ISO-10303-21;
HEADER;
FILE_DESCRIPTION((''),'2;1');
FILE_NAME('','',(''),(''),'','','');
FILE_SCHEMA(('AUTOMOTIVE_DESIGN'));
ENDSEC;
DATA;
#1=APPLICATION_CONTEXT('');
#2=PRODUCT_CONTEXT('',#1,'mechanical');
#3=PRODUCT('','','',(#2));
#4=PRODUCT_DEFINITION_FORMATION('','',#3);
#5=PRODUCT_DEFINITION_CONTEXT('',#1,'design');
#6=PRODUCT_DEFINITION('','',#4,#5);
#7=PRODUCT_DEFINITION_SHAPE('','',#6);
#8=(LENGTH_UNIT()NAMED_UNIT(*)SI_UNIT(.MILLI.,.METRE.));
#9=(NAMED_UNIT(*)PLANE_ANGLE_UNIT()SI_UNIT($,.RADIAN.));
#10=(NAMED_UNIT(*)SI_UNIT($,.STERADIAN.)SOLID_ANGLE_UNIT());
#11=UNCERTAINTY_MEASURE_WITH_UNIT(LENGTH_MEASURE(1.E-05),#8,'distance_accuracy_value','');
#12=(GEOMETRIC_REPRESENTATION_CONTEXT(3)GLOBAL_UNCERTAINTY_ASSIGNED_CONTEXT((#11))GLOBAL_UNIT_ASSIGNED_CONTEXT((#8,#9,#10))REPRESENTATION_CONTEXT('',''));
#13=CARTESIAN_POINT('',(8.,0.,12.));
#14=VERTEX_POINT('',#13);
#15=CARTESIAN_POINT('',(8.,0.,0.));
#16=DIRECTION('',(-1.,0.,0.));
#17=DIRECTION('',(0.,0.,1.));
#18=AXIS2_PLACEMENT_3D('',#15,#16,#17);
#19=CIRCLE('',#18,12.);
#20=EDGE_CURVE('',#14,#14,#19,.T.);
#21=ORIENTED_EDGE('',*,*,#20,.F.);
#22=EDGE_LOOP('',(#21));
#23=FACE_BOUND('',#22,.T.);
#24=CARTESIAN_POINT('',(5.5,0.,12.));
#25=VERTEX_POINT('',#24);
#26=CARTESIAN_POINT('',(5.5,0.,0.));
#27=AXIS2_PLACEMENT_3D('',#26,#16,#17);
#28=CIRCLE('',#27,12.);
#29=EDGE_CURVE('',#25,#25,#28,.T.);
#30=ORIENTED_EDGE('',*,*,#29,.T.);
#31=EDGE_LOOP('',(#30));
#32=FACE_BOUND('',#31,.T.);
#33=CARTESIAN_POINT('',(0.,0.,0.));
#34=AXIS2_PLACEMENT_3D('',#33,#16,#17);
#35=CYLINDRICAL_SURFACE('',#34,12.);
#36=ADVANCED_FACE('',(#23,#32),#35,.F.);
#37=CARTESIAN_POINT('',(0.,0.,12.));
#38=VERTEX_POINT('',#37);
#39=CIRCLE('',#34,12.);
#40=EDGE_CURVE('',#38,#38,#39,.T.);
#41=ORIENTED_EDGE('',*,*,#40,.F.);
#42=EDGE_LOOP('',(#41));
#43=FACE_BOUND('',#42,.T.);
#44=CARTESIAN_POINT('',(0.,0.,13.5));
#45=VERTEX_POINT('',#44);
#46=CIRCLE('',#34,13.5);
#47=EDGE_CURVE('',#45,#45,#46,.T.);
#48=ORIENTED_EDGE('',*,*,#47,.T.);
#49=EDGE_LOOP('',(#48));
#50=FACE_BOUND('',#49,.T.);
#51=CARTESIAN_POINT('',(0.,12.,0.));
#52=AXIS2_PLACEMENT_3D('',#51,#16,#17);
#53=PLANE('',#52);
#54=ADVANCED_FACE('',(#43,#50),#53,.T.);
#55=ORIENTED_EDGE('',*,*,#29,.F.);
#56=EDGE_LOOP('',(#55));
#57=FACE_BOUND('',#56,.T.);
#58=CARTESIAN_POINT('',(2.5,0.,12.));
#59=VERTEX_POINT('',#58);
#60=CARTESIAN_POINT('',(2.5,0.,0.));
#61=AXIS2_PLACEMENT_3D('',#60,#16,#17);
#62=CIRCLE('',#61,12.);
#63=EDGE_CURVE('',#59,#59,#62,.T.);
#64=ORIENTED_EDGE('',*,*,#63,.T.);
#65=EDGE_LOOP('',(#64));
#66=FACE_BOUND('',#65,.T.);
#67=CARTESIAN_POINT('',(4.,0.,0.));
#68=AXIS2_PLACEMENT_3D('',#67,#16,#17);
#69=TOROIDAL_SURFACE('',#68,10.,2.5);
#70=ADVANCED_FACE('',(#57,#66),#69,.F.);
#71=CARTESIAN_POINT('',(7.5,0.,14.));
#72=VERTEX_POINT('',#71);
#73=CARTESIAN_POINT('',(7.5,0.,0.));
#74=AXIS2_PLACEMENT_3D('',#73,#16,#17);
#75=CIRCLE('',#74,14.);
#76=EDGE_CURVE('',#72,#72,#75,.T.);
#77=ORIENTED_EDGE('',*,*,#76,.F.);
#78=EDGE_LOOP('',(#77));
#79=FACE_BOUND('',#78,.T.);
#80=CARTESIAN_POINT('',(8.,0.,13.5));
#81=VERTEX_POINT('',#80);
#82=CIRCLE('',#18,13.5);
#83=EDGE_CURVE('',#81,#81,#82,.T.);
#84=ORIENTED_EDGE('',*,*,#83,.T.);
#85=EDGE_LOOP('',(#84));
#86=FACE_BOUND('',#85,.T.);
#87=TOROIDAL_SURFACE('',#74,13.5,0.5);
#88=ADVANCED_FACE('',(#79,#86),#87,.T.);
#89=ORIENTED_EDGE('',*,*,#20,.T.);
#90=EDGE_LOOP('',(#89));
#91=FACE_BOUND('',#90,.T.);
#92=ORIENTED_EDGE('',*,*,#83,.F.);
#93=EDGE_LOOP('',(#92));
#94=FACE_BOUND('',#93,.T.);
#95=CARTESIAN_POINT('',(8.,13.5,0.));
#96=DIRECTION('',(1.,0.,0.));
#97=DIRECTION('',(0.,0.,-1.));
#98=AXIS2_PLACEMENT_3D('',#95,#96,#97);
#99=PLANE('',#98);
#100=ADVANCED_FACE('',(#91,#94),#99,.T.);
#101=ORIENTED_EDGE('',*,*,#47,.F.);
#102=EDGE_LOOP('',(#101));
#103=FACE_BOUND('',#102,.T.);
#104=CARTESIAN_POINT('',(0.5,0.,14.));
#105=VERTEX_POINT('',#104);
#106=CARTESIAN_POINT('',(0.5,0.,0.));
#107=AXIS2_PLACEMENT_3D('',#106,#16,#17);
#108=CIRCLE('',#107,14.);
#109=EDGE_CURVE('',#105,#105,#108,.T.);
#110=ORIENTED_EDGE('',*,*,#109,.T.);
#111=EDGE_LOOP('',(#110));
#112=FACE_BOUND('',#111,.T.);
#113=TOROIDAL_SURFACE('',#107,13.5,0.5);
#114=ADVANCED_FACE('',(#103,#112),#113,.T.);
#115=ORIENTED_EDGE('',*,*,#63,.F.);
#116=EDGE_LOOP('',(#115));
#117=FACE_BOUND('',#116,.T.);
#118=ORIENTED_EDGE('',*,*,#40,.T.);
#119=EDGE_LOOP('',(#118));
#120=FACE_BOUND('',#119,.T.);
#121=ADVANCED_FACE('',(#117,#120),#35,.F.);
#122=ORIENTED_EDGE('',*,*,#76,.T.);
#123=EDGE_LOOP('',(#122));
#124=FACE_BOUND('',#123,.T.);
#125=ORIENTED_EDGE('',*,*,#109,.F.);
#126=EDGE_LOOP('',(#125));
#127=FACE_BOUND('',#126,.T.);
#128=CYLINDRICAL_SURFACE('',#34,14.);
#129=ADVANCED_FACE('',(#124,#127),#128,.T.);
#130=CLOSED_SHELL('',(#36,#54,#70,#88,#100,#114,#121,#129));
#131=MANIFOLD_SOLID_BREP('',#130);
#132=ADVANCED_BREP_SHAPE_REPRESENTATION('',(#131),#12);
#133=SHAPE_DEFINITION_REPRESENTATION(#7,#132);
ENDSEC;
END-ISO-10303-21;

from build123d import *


with BuildPart() as part:
    # Esquisse1 → Bague exterieure (revolve)
    with BuildSketch(Plane.XY, mode=Mode.PRIVATE) as bague_exterieure_sk:
        with BuildLine():
            Line((0, 12), (0, 13.5))
            ThreePointArc((0, 13.5), (0.146446609, 13.853553391), (0.5, 14))
            Line((0.5, 14), (7.5, 14))
            ThreePointArc((7.5, 14), (7.853553391, 13.853553391), (8, 13.5))
            Line((8, 13.5), (8, 12))
            Line((8, 12), (5.5, 12))
            ThreePointArc((5.5, 12), (4, 12.5), (2.5, 12))
            Line((2.5, 12), (0, 12))
        make_face()
    revolve(bague_exterieure_sk.sketch.rotate(Axis((0, 0, 0), (1, 0, 0)), 90), axis=Axis((0, 0, 0), (1, 0, 0)))


solid = part.part
